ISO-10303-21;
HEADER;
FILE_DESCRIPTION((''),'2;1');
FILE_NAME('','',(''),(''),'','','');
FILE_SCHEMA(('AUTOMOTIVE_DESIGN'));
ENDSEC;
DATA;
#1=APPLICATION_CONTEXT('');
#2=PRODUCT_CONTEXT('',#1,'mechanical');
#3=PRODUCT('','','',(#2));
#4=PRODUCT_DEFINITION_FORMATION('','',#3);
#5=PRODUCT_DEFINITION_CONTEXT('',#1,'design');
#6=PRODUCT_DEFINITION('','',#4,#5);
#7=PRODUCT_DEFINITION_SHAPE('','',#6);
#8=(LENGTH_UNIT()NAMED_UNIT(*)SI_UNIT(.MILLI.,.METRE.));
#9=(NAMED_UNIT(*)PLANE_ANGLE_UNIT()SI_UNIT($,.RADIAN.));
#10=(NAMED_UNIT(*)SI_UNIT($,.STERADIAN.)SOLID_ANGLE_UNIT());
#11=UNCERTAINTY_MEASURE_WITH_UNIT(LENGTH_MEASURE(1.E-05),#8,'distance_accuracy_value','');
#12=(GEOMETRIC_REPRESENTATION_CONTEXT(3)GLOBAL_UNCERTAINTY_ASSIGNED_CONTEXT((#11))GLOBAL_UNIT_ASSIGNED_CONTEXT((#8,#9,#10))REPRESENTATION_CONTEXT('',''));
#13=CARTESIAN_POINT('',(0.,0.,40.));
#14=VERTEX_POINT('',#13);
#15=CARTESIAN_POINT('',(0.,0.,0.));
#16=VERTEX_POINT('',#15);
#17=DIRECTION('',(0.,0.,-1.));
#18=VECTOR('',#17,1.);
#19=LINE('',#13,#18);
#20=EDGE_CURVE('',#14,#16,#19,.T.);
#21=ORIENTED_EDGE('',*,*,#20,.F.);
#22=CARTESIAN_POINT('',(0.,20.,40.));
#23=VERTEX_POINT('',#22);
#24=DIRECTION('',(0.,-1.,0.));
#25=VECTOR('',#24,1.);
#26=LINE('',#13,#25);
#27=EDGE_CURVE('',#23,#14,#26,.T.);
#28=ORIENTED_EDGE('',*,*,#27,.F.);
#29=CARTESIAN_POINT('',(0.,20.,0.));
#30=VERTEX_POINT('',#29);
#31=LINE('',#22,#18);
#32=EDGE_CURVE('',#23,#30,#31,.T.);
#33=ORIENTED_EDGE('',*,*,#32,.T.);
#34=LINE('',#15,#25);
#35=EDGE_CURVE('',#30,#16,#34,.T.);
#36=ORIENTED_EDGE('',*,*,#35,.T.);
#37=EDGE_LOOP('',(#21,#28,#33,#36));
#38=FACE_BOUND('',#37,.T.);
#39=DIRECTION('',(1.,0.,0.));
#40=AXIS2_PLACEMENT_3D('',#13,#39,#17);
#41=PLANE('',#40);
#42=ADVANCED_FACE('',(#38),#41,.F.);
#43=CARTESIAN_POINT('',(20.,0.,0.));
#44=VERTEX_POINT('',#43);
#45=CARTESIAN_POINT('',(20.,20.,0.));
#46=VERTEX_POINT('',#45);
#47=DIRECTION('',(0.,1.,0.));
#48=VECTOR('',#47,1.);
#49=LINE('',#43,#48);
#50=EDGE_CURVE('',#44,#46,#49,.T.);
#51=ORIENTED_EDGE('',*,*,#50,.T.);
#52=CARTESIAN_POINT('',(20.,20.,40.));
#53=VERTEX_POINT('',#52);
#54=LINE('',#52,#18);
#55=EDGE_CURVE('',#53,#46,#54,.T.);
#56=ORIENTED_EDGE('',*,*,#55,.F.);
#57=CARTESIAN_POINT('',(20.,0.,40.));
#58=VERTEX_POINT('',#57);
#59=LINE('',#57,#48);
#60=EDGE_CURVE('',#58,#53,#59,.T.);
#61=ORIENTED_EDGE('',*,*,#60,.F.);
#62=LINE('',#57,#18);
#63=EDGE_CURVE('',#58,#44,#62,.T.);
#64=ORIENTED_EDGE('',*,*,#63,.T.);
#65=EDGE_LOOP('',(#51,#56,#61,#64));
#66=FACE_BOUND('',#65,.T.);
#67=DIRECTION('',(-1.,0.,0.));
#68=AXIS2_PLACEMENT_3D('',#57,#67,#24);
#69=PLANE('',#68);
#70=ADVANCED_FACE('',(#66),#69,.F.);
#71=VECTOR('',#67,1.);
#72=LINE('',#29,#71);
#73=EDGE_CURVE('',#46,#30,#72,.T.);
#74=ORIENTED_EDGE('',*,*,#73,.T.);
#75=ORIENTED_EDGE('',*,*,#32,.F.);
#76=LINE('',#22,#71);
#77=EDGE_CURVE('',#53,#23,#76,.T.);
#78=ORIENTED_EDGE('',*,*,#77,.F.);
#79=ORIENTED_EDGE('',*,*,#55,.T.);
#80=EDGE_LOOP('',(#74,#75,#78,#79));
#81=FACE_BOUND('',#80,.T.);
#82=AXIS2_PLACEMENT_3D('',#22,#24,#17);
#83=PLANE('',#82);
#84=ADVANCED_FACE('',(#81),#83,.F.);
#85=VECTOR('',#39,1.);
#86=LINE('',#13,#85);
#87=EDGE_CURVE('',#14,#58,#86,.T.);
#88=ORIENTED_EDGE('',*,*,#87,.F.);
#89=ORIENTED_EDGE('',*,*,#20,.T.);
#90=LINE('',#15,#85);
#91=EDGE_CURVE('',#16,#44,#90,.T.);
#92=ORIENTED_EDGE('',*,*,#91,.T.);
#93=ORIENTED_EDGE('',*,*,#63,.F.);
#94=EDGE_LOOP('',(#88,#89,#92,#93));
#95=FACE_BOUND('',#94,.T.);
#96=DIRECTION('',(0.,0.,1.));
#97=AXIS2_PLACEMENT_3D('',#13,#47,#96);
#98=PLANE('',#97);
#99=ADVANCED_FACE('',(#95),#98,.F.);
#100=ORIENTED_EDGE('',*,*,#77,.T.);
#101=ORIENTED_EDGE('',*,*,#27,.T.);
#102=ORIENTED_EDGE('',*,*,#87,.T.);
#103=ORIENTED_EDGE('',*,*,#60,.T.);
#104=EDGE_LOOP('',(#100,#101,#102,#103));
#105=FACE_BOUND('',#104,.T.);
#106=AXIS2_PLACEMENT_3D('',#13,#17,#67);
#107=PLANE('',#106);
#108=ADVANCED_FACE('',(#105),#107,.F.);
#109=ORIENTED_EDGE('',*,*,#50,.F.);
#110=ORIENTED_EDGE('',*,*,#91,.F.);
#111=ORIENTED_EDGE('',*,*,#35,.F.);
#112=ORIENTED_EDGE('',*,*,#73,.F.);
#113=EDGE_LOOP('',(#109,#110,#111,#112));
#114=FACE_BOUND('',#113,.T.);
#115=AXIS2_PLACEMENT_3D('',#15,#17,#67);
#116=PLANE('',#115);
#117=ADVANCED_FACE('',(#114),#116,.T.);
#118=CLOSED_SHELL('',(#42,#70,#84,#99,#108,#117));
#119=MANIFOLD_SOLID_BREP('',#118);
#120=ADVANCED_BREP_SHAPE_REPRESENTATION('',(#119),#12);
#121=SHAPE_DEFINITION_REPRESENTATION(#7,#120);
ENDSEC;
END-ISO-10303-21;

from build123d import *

# Parameters (mm, degrees)
SKETCH1_W           = 20
SKETCH1_H           = 20
BOSS_EXTRUDE1_DEPTH = 40


with BuildPart() as part:
    # Sketch1 → Boss-Extrude1 (new body)
    with BuildSketch(Plane.XY):
        with Locations((10, 10)):
            Rectangle(SKETCH1_W, SKETCH1_H)
    extrude(amount=BOSS_EXTRUDE1_DEPTH)


solid = part.part
